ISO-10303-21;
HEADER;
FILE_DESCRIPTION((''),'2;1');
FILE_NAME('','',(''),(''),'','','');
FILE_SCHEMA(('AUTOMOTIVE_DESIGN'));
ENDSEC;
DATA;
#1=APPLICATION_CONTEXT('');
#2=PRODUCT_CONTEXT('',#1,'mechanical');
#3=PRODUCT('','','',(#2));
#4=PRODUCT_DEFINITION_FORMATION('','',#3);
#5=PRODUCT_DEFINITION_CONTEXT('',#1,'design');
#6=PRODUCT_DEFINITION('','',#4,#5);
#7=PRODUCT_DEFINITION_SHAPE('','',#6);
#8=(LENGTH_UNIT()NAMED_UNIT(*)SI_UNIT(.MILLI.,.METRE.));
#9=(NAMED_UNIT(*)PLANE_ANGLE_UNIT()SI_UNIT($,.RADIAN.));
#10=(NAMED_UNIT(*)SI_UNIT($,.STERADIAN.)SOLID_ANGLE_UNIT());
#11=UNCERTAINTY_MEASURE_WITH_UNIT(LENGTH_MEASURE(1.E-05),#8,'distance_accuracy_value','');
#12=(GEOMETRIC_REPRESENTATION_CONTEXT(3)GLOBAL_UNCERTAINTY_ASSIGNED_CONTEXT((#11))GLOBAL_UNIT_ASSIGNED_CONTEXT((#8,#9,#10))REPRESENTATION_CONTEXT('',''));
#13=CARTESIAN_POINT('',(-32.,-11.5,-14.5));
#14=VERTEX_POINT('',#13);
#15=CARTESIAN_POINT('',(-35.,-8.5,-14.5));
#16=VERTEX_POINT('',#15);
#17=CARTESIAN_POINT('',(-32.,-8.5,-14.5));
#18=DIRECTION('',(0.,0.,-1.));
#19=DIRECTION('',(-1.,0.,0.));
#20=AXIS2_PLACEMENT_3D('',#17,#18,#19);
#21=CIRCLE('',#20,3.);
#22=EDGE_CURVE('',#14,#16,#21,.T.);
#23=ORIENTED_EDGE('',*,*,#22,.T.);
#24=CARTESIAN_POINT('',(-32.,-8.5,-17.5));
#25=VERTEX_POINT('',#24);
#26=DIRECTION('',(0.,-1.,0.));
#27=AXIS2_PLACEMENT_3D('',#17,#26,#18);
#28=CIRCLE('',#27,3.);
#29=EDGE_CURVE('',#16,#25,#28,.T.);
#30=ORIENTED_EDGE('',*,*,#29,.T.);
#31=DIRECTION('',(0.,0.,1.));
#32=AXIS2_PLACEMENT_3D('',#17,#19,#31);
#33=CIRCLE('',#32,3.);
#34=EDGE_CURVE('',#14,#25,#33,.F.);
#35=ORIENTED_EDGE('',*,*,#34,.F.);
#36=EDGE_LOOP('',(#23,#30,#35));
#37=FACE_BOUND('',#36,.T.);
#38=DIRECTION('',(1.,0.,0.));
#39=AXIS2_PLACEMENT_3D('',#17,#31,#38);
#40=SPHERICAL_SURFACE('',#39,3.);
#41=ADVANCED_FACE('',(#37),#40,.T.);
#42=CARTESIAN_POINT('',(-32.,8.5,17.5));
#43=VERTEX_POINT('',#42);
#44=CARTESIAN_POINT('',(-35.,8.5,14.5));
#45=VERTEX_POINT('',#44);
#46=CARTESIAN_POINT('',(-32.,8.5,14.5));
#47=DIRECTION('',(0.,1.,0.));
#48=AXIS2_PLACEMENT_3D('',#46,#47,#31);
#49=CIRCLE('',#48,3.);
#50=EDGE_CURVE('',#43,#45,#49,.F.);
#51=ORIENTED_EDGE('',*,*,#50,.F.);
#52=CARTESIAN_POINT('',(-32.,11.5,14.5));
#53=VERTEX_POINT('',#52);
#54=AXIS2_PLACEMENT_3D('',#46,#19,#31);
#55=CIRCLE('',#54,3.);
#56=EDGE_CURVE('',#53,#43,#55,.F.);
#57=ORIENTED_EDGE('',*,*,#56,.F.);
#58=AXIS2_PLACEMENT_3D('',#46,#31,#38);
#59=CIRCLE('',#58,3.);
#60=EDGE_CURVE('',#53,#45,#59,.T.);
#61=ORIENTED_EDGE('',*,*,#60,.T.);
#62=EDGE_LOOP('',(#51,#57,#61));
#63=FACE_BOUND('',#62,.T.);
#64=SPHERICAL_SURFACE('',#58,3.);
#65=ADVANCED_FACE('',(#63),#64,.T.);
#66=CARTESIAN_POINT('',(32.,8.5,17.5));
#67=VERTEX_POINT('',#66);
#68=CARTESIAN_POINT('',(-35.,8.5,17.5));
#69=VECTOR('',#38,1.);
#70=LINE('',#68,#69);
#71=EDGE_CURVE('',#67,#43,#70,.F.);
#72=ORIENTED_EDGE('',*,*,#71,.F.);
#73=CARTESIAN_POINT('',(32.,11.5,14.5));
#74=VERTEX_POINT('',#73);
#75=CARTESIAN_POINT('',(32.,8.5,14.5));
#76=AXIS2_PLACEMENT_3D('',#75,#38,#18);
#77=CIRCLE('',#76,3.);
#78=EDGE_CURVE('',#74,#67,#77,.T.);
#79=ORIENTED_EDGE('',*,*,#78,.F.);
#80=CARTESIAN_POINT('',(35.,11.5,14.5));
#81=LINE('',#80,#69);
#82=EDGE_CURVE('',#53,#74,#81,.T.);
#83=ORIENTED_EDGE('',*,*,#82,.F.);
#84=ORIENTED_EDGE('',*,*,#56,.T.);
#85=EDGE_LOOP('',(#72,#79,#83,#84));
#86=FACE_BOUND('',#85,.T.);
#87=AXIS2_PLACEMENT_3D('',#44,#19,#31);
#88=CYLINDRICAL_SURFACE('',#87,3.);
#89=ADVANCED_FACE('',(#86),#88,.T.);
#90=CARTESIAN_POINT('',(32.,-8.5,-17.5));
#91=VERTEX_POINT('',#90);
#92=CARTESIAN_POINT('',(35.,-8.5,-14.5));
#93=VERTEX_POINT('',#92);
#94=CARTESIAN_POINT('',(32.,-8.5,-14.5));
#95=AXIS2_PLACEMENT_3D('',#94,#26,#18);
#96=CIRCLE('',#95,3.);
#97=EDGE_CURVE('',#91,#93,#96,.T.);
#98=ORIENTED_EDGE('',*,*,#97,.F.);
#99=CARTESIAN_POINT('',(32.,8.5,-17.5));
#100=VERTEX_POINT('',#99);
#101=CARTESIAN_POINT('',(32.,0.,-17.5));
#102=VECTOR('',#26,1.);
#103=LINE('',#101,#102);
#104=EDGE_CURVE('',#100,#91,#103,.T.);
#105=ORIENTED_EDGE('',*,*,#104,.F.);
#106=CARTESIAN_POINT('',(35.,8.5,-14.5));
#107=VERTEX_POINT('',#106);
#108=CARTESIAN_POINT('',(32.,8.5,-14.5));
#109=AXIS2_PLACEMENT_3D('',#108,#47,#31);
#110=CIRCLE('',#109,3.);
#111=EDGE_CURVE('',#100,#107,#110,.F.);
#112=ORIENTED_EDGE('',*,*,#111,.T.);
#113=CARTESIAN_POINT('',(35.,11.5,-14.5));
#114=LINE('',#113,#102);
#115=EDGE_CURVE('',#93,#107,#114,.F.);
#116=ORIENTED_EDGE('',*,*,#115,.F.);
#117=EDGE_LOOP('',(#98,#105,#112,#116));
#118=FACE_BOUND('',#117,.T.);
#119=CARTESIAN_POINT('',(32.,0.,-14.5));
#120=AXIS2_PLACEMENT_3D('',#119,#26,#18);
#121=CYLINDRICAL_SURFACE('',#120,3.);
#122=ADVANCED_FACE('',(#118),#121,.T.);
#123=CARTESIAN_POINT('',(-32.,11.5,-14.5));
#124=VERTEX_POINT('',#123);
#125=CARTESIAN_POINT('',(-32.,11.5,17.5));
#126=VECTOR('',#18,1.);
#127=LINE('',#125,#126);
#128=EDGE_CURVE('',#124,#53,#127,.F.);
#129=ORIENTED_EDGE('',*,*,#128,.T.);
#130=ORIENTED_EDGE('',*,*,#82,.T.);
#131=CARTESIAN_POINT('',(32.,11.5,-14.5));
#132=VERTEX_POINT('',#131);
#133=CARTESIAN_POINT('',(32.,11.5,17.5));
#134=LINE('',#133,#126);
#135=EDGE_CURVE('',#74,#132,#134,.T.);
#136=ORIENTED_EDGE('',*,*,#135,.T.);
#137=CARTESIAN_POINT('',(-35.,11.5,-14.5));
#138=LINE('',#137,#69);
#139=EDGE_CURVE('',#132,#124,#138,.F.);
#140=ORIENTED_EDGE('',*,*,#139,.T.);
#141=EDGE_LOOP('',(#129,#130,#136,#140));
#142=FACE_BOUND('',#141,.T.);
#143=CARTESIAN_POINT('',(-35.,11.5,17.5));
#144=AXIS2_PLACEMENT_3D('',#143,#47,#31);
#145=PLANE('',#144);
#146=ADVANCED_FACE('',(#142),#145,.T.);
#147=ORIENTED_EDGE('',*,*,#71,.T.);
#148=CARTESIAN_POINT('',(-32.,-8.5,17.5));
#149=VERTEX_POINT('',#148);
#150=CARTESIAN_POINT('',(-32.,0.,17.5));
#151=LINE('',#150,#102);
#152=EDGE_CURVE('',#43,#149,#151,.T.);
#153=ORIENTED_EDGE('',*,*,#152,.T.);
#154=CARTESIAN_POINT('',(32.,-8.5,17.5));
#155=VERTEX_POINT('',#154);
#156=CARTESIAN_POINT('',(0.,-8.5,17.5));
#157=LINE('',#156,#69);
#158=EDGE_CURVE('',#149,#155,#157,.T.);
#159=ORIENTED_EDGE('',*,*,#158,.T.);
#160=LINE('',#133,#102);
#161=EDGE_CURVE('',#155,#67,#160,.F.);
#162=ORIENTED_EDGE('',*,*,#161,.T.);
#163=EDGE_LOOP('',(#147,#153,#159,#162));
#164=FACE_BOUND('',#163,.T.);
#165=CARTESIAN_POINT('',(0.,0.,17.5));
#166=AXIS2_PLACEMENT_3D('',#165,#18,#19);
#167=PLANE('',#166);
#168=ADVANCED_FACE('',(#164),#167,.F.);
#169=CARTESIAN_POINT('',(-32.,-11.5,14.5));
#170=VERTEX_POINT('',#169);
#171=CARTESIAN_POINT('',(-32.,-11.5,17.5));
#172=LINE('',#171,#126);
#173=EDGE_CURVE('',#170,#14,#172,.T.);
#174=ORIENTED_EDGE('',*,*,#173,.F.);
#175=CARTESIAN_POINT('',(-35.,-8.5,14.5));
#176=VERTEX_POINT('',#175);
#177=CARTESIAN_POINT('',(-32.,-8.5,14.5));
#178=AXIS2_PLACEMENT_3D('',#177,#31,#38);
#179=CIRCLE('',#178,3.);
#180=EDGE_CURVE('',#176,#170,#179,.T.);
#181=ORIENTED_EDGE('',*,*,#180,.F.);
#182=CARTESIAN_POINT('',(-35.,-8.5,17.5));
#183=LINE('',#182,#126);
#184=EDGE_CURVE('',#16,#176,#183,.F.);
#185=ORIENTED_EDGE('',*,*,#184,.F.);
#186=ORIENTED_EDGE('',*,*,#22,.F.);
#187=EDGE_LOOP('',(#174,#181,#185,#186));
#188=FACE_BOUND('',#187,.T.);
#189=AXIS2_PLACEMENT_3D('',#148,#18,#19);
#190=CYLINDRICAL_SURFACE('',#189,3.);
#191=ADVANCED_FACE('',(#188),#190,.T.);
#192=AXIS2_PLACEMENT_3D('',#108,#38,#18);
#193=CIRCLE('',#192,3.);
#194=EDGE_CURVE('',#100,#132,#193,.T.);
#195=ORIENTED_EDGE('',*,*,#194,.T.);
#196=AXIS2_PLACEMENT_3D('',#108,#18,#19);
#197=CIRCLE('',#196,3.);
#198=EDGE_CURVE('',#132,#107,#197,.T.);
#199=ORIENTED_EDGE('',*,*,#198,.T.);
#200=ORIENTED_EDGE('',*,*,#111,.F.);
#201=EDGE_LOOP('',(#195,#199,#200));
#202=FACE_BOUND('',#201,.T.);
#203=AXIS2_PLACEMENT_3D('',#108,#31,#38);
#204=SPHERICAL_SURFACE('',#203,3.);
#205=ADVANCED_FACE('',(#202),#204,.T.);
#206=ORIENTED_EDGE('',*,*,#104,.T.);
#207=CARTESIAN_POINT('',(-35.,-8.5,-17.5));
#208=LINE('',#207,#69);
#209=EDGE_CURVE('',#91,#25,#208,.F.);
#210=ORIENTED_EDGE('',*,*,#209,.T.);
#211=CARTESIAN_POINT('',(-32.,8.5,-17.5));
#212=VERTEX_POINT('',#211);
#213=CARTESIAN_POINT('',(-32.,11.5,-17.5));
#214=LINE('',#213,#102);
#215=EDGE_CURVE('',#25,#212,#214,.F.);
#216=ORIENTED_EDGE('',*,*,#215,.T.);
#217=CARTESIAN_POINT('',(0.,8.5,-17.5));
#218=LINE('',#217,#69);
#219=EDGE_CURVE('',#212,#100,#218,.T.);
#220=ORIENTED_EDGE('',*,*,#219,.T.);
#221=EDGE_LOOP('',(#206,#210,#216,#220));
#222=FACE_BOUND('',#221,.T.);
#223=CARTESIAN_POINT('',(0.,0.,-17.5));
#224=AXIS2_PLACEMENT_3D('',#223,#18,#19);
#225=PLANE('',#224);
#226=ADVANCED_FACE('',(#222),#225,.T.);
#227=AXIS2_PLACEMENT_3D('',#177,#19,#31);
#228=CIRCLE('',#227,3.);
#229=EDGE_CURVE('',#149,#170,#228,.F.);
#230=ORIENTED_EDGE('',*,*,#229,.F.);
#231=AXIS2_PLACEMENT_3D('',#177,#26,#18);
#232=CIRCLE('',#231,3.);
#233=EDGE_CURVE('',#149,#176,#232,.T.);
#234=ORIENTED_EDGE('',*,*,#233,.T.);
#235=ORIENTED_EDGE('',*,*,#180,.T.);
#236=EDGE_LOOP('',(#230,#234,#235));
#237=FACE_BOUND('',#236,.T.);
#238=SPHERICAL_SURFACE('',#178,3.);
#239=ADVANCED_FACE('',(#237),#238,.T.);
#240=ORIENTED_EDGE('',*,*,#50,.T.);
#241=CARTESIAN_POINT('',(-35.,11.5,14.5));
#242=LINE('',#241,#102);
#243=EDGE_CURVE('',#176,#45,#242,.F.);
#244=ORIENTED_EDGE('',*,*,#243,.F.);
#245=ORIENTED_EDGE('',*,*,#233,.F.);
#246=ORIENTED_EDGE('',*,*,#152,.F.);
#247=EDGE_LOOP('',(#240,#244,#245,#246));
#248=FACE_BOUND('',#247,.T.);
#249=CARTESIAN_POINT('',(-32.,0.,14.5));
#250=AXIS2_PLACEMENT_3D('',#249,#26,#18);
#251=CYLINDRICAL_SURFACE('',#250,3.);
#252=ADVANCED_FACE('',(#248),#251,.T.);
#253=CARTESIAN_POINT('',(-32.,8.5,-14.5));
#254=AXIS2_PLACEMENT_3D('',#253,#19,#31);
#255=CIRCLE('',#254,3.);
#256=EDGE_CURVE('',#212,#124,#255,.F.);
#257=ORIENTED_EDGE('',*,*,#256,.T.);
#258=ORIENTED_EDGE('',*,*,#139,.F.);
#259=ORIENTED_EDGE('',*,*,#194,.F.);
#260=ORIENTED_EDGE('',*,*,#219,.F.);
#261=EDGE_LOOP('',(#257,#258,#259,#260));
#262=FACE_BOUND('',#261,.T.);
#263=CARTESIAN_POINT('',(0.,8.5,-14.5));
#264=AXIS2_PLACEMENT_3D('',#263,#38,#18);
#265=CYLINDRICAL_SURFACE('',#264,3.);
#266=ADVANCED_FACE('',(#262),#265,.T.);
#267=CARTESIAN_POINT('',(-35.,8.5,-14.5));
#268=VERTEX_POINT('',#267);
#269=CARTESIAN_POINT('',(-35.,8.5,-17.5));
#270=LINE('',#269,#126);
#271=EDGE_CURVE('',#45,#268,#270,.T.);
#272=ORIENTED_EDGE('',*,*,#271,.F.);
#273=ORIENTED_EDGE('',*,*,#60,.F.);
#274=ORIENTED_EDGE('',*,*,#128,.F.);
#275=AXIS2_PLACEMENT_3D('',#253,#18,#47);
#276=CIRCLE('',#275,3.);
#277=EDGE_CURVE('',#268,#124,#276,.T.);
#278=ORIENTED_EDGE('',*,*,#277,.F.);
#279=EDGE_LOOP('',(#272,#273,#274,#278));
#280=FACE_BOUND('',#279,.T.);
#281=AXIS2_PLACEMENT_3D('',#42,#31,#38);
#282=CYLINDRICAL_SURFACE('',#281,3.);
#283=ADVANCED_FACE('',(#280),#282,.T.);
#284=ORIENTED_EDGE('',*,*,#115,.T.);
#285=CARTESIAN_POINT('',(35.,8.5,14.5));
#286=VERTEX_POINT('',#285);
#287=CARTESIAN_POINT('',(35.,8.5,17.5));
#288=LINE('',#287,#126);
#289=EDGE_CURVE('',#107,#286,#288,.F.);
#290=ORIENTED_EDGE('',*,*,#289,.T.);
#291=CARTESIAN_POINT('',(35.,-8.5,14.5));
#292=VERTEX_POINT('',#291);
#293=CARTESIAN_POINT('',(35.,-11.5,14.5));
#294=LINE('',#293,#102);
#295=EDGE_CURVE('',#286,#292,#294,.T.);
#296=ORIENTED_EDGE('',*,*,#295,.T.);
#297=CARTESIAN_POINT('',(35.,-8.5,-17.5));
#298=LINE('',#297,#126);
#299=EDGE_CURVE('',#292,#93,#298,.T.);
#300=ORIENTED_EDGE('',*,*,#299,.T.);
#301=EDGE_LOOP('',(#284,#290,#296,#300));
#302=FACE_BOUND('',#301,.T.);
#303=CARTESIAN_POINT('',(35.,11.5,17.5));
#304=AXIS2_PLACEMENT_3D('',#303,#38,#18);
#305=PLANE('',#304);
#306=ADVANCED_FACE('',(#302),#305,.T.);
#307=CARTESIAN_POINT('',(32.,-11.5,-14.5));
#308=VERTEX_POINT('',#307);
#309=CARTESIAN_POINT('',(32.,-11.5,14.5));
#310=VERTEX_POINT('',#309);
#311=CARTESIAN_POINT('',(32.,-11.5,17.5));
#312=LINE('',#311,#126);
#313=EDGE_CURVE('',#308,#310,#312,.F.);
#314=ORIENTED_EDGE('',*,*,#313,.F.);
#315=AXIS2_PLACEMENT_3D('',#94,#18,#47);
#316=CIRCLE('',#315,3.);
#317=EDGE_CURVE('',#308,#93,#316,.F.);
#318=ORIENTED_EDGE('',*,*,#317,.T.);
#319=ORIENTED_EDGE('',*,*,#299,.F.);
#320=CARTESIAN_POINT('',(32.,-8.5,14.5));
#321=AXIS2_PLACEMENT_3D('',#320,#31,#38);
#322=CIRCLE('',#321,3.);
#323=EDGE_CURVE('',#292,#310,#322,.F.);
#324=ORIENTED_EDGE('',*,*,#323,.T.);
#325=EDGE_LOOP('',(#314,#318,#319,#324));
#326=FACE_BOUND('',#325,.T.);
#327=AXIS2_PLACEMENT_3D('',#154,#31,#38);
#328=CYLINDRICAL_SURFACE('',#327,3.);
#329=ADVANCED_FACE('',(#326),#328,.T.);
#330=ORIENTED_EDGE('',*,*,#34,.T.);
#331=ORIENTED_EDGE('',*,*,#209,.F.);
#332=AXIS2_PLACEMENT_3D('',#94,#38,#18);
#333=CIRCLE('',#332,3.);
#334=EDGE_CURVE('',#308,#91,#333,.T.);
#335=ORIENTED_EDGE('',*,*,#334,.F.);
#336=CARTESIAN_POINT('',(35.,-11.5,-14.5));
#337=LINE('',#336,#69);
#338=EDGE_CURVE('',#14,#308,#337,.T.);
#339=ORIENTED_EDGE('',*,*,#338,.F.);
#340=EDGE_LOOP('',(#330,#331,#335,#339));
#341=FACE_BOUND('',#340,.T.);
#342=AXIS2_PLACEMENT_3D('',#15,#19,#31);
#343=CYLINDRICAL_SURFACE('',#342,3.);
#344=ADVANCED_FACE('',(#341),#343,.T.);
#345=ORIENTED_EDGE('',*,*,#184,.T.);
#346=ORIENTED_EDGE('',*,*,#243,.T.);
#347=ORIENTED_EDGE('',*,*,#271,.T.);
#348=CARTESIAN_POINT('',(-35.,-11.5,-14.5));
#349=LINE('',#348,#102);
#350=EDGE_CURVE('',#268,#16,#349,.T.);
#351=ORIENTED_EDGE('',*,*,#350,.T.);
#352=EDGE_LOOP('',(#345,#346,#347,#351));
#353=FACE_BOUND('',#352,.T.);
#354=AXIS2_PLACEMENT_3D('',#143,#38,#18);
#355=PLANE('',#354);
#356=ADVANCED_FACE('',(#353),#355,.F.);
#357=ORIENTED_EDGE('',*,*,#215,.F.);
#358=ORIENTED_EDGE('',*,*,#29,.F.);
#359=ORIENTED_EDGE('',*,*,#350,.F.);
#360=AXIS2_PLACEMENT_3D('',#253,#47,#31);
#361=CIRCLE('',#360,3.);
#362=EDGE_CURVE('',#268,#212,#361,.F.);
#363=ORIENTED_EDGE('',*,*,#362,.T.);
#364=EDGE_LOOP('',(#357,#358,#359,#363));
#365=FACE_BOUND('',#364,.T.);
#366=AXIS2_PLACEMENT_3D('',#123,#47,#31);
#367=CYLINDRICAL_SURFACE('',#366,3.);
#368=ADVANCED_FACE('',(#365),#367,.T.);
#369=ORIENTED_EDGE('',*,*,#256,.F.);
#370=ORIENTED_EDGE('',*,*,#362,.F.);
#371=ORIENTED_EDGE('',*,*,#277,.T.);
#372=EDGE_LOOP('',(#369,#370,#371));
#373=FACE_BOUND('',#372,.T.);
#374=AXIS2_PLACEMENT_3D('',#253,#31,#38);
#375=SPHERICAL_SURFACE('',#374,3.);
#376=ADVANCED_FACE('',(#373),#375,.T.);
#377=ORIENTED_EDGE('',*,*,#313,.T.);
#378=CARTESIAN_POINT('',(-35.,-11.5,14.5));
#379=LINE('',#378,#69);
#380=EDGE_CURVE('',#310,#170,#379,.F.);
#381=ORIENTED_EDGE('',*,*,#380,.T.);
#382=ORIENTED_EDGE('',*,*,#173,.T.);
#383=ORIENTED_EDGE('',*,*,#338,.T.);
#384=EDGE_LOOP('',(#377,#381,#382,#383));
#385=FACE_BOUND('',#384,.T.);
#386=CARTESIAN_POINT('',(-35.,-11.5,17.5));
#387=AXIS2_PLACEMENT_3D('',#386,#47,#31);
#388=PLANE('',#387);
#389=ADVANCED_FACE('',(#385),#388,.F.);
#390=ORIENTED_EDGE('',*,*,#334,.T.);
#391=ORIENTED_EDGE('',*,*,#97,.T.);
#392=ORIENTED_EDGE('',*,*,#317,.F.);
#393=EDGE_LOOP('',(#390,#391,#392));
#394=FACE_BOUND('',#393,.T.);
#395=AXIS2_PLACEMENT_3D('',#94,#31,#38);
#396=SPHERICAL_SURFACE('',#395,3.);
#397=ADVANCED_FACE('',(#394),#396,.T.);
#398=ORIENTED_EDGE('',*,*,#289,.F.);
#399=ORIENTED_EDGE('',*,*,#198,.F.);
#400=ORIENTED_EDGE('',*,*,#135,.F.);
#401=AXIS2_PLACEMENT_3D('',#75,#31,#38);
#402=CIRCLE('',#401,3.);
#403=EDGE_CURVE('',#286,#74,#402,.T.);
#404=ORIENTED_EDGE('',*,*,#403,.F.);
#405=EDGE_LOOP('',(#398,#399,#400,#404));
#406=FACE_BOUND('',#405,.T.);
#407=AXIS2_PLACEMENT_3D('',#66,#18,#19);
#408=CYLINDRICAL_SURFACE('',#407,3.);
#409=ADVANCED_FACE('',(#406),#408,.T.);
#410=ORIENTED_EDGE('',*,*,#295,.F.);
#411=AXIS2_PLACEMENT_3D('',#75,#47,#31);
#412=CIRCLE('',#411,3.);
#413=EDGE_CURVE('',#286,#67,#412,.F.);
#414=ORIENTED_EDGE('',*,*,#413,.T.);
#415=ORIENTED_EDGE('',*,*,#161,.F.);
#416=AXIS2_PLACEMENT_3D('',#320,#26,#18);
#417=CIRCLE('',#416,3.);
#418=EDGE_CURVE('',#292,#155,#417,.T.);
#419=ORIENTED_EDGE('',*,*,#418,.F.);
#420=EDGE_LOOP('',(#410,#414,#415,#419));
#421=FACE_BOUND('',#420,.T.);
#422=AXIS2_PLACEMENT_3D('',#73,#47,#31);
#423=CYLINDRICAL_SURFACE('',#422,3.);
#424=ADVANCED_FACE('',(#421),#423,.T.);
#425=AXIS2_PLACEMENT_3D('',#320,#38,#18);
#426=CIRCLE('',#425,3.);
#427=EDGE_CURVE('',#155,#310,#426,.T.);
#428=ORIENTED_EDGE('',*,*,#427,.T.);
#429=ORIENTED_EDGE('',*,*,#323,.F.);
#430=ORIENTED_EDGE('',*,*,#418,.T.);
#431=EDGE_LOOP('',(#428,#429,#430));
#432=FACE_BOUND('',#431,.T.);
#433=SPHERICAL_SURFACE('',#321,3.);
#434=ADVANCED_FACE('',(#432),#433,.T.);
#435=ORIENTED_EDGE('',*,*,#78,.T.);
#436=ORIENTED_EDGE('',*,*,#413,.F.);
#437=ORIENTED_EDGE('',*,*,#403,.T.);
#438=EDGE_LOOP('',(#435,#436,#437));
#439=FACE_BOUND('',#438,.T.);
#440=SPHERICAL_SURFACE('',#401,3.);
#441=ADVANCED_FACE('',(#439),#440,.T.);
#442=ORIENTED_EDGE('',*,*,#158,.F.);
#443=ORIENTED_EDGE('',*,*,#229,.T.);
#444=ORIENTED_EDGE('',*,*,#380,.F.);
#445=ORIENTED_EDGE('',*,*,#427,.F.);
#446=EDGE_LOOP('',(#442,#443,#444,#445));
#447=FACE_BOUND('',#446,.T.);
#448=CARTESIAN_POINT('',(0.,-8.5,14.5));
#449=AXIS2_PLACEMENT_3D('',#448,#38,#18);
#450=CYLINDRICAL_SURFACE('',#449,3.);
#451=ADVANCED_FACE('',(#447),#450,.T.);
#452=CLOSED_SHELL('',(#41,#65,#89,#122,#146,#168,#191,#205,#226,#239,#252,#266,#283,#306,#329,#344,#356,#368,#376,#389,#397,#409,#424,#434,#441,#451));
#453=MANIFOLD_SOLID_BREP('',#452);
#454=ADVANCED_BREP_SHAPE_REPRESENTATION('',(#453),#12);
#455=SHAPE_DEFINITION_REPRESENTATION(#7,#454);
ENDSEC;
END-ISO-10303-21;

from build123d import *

# Parameters (mm, degrees)
SKETCH1_W           = 70
SKETCH1_H           = 23
BOSS_EXTRUDE1_DEPTH = 17.5
FILLET1_R           = 3


with BuildPart() as part:
    # Sketch1 → Boss-Extrude1 (new, symmetric)
    with BuildSketch(Plane.XY):
        Rectangle(SKETCH1_W, SKETCH1_H)
    extrude(amount=BOSS_EXTRUDE1_DEPTH, both=True)

    # Fillet1
    fillet1_edges = [part.edges().sort_by_distance(p)[0] for p in [
        (0, 11.5, 17.5),
        (-35, 0, 17.5),
        (0, -11.5, 17.5),
        (-35, 0, -17.5),
        (0, 11.5, -17.5),
        (35, 0, -17.5),
        (0, -11.5, -17.5),
        (35, 0, 17.5),
        (-35, -11.5, 0),
        (-35, 11.5, 0),
        (35, 11.5, 0),
        (35, -11.5, 0),
    ]]
    fillet(fillet1_edges, radius=FILLET1_R)


solid = part.part
